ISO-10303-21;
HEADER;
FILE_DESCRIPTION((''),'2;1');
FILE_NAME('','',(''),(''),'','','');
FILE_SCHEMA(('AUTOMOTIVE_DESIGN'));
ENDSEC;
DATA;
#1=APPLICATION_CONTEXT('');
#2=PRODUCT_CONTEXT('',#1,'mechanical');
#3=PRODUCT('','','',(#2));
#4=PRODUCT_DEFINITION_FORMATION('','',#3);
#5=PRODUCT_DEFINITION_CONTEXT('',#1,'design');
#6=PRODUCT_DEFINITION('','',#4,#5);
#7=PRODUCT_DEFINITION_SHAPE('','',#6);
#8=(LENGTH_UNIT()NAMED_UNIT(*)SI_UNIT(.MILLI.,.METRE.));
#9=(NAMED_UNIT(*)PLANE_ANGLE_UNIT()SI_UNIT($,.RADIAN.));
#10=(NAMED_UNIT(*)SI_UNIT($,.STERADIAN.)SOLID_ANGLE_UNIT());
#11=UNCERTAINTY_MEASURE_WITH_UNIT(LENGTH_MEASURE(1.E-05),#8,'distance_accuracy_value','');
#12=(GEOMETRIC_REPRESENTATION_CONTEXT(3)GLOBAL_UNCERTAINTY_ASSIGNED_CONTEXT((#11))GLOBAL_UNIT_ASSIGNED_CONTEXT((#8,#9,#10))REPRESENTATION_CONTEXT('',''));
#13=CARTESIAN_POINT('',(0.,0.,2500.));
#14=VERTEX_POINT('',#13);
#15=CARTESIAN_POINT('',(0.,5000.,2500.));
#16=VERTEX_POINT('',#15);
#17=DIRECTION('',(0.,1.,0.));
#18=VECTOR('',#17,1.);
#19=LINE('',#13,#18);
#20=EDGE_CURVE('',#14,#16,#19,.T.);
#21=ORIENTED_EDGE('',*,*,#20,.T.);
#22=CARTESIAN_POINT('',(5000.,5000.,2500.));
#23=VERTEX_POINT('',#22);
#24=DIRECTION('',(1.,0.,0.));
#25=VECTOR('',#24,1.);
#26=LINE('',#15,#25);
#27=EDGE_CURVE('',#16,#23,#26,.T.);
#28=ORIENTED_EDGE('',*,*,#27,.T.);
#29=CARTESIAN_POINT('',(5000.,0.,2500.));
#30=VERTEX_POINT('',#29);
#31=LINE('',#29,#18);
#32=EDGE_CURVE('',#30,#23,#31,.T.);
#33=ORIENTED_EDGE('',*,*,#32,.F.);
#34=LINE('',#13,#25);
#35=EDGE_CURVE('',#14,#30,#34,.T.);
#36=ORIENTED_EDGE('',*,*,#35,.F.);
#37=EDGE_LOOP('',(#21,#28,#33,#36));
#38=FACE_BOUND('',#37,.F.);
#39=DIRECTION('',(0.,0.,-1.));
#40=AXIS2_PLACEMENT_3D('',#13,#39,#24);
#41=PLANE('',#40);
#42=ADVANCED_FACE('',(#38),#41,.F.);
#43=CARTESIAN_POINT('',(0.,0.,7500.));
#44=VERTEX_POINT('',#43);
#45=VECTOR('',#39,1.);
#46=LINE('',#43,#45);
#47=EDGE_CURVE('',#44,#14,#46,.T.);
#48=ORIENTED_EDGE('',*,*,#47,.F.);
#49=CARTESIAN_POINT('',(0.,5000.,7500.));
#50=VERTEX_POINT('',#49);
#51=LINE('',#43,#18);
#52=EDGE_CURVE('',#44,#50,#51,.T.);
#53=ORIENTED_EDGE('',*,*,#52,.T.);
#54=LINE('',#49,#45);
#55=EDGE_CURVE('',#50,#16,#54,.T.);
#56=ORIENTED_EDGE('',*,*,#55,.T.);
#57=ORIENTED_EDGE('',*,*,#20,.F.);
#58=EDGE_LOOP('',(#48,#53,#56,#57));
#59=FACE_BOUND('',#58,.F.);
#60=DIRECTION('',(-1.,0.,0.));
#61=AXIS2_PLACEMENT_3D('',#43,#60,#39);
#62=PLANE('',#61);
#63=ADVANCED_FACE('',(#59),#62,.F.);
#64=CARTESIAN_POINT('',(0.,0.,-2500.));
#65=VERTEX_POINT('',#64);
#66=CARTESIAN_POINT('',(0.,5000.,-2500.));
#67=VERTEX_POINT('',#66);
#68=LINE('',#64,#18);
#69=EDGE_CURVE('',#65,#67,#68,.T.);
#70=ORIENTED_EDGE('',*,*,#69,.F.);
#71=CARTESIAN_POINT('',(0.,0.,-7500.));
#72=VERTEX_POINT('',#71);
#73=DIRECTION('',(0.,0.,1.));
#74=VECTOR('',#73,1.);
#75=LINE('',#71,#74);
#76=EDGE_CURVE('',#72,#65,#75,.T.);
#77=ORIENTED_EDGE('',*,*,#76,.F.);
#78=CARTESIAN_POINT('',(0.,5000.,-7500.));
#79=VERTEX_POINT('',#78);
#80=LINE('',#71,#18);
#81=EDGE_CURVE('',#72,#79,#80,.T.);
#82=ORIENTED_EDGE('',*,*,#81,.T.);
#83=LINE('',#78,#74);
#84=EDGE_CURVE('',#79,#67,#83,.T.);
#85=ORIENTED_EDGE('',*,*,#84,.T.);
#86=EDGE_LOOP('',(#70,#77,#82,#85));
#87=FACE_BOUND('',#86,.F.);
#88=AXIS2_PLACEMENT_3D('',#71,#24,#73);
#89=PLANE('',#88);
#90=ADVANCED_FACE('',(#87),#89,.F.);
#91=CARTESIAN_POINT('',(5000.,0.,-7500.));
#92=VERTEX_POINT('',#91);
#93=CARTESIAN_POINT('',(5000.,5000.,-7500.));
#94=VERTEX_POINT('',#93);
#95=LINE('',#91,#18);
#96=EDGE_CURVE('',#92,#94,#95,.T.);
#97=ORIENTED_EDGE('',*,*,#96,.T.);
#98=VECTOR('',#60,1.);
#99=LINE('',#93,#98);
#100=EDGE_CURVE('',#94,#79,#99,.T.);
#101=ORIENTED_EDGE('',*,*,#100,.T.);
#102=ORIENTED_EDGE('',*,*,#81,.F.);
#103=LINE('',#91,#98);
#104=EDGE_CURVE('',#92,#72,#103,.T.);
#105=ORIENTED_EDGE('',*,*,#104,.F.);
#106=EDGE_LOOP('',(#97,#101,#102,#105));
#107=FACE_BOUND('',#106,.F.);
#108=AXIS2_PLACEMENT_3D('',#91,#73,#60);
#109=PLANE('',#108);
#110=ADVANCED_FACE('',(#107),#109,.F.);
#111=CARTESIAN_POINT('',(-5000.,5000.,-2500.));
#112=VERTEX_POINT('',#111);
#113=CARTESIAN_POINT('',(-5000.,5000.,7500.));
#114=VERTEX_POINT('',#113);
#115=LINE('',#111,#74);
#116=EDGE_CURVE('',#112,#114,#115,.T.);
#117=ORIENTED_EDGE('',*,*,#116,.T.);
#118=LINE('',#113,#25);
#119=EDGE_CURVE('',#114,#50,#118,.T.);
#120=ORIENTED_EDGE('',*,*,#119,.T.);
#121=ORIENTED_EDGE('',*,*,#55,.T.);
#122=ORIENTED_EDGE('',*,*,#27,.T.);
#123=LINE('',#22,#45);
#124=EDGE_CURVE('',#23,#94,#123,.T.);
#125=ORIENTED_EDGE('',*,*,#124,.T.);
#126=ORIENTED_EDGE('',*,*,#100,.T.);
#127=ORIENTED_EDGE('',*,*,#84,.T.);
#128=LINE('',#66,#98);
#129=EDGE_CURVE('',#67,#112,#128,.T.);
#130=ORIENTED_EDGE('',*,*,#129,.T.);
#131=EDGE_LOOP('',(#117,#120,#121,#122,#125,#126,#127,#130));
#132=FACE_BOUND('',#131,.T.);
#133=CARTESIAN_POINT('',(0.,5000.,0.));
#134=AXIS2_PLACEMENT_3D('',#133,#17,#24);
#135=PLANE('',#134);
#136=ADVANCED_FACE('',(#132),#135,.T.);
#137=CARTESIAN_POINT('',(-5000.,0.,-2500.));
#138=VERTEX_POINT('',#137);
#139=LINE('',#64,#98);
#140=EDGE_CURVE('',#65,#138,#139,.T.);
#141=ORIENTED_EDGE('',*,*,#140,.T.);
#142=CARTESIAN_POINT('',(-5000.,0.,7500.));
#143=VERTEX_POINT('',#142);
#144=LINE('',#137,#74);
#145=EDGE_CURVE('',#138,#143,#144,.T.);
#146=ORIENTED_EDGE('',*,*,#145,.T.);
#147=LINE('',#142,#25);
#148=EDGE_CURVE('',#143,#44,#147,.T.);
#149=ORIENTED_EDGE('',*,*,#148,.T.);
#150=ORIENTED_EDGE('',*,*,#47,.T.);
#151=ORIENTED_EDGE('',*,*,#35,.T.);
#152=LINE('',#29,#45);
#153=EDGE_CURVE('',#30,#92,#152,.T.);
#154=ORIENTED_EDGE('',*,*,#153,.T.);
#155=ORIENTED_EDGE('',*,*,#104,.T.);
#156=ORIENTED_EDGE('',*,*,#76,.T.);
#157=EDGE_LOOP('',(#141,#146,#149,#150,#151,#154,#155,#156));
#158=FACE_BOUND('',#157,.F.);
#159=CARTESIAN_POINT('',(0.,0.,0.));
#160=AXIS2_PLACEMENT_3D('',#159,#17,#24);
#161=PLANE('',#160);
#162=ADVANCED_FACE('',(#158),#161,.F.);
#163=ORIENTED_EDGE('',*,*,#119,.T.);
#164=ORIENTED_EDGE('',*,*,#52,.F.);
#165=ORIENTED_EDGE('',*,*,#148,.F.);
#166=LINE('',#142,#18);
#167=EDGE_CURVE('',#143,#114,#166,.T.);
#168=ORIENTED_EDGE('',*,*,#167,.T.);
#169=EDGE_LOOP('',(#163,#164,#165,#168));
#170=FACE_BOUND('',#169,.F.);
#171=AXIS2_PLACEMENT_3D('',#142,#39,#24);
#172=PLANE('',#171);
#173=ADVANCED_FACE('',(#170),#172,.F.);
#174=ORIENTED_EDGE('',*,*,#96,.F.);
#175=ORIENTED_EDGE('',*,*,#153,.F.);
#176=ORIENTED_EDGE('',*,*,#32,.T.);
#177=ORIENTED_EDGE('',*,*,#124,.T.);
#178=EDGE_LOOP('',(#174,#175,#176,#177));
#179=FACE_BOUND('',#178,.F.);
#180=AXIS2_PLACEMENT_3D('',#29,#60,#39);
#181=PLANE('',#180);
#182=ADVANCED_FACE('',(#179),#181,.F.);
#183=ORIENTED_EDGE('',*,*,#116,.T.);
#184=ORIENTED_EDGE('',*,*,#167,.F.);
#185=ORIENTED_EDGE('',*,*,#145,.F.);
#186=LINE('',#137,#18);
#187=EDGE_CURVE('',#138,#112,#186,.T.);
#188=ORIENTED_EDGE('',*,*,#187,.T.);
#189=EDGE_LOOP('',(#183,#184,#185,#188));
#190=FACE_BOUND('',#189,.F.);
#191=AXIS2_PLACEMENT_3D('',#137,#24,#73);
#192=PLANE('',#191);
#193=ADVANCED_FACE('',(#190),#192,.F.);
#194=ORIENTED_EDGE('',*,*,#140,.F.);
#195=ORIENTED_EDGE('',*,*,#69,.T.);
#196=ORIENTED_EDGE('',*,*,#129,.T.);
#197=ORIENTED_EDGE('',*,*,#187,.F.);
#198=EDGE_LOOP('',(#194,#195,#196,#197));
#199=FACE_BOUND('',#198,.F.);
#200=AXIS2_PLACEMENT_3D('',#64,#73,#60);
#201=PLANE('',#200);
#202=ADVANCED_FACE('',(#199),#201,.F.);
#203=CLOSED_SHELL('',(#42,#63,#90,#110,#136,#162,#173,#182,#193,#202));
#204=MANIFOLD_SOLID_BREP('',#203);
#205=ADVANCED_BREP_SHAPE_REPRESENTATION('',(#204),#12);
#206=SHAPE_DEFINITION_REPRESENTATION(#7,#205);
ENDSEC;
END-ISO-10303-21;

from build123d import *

# Parameters (mm, degrees)
BOSS_EXTRUDE1_DEPTH = 5000


with BuildPart() as part:
    # Sketch1 → Boss-Extrude1 (new body)
    with BuildSketch(Plane(origin=(0, 0, 0), x_dir=(1, 0, 0), z_dir=(0, 1, 0))):
        Polygon((0, 7500), (0, 2500), (-5000, 2500), (-5000, -7500), (0, -7500), (0, -2500), (5000, -2500), (5000, 7500), align=None)
    extrude(amount=BOSS_EXTRUDE1_DEPTH)


solid = part.part
